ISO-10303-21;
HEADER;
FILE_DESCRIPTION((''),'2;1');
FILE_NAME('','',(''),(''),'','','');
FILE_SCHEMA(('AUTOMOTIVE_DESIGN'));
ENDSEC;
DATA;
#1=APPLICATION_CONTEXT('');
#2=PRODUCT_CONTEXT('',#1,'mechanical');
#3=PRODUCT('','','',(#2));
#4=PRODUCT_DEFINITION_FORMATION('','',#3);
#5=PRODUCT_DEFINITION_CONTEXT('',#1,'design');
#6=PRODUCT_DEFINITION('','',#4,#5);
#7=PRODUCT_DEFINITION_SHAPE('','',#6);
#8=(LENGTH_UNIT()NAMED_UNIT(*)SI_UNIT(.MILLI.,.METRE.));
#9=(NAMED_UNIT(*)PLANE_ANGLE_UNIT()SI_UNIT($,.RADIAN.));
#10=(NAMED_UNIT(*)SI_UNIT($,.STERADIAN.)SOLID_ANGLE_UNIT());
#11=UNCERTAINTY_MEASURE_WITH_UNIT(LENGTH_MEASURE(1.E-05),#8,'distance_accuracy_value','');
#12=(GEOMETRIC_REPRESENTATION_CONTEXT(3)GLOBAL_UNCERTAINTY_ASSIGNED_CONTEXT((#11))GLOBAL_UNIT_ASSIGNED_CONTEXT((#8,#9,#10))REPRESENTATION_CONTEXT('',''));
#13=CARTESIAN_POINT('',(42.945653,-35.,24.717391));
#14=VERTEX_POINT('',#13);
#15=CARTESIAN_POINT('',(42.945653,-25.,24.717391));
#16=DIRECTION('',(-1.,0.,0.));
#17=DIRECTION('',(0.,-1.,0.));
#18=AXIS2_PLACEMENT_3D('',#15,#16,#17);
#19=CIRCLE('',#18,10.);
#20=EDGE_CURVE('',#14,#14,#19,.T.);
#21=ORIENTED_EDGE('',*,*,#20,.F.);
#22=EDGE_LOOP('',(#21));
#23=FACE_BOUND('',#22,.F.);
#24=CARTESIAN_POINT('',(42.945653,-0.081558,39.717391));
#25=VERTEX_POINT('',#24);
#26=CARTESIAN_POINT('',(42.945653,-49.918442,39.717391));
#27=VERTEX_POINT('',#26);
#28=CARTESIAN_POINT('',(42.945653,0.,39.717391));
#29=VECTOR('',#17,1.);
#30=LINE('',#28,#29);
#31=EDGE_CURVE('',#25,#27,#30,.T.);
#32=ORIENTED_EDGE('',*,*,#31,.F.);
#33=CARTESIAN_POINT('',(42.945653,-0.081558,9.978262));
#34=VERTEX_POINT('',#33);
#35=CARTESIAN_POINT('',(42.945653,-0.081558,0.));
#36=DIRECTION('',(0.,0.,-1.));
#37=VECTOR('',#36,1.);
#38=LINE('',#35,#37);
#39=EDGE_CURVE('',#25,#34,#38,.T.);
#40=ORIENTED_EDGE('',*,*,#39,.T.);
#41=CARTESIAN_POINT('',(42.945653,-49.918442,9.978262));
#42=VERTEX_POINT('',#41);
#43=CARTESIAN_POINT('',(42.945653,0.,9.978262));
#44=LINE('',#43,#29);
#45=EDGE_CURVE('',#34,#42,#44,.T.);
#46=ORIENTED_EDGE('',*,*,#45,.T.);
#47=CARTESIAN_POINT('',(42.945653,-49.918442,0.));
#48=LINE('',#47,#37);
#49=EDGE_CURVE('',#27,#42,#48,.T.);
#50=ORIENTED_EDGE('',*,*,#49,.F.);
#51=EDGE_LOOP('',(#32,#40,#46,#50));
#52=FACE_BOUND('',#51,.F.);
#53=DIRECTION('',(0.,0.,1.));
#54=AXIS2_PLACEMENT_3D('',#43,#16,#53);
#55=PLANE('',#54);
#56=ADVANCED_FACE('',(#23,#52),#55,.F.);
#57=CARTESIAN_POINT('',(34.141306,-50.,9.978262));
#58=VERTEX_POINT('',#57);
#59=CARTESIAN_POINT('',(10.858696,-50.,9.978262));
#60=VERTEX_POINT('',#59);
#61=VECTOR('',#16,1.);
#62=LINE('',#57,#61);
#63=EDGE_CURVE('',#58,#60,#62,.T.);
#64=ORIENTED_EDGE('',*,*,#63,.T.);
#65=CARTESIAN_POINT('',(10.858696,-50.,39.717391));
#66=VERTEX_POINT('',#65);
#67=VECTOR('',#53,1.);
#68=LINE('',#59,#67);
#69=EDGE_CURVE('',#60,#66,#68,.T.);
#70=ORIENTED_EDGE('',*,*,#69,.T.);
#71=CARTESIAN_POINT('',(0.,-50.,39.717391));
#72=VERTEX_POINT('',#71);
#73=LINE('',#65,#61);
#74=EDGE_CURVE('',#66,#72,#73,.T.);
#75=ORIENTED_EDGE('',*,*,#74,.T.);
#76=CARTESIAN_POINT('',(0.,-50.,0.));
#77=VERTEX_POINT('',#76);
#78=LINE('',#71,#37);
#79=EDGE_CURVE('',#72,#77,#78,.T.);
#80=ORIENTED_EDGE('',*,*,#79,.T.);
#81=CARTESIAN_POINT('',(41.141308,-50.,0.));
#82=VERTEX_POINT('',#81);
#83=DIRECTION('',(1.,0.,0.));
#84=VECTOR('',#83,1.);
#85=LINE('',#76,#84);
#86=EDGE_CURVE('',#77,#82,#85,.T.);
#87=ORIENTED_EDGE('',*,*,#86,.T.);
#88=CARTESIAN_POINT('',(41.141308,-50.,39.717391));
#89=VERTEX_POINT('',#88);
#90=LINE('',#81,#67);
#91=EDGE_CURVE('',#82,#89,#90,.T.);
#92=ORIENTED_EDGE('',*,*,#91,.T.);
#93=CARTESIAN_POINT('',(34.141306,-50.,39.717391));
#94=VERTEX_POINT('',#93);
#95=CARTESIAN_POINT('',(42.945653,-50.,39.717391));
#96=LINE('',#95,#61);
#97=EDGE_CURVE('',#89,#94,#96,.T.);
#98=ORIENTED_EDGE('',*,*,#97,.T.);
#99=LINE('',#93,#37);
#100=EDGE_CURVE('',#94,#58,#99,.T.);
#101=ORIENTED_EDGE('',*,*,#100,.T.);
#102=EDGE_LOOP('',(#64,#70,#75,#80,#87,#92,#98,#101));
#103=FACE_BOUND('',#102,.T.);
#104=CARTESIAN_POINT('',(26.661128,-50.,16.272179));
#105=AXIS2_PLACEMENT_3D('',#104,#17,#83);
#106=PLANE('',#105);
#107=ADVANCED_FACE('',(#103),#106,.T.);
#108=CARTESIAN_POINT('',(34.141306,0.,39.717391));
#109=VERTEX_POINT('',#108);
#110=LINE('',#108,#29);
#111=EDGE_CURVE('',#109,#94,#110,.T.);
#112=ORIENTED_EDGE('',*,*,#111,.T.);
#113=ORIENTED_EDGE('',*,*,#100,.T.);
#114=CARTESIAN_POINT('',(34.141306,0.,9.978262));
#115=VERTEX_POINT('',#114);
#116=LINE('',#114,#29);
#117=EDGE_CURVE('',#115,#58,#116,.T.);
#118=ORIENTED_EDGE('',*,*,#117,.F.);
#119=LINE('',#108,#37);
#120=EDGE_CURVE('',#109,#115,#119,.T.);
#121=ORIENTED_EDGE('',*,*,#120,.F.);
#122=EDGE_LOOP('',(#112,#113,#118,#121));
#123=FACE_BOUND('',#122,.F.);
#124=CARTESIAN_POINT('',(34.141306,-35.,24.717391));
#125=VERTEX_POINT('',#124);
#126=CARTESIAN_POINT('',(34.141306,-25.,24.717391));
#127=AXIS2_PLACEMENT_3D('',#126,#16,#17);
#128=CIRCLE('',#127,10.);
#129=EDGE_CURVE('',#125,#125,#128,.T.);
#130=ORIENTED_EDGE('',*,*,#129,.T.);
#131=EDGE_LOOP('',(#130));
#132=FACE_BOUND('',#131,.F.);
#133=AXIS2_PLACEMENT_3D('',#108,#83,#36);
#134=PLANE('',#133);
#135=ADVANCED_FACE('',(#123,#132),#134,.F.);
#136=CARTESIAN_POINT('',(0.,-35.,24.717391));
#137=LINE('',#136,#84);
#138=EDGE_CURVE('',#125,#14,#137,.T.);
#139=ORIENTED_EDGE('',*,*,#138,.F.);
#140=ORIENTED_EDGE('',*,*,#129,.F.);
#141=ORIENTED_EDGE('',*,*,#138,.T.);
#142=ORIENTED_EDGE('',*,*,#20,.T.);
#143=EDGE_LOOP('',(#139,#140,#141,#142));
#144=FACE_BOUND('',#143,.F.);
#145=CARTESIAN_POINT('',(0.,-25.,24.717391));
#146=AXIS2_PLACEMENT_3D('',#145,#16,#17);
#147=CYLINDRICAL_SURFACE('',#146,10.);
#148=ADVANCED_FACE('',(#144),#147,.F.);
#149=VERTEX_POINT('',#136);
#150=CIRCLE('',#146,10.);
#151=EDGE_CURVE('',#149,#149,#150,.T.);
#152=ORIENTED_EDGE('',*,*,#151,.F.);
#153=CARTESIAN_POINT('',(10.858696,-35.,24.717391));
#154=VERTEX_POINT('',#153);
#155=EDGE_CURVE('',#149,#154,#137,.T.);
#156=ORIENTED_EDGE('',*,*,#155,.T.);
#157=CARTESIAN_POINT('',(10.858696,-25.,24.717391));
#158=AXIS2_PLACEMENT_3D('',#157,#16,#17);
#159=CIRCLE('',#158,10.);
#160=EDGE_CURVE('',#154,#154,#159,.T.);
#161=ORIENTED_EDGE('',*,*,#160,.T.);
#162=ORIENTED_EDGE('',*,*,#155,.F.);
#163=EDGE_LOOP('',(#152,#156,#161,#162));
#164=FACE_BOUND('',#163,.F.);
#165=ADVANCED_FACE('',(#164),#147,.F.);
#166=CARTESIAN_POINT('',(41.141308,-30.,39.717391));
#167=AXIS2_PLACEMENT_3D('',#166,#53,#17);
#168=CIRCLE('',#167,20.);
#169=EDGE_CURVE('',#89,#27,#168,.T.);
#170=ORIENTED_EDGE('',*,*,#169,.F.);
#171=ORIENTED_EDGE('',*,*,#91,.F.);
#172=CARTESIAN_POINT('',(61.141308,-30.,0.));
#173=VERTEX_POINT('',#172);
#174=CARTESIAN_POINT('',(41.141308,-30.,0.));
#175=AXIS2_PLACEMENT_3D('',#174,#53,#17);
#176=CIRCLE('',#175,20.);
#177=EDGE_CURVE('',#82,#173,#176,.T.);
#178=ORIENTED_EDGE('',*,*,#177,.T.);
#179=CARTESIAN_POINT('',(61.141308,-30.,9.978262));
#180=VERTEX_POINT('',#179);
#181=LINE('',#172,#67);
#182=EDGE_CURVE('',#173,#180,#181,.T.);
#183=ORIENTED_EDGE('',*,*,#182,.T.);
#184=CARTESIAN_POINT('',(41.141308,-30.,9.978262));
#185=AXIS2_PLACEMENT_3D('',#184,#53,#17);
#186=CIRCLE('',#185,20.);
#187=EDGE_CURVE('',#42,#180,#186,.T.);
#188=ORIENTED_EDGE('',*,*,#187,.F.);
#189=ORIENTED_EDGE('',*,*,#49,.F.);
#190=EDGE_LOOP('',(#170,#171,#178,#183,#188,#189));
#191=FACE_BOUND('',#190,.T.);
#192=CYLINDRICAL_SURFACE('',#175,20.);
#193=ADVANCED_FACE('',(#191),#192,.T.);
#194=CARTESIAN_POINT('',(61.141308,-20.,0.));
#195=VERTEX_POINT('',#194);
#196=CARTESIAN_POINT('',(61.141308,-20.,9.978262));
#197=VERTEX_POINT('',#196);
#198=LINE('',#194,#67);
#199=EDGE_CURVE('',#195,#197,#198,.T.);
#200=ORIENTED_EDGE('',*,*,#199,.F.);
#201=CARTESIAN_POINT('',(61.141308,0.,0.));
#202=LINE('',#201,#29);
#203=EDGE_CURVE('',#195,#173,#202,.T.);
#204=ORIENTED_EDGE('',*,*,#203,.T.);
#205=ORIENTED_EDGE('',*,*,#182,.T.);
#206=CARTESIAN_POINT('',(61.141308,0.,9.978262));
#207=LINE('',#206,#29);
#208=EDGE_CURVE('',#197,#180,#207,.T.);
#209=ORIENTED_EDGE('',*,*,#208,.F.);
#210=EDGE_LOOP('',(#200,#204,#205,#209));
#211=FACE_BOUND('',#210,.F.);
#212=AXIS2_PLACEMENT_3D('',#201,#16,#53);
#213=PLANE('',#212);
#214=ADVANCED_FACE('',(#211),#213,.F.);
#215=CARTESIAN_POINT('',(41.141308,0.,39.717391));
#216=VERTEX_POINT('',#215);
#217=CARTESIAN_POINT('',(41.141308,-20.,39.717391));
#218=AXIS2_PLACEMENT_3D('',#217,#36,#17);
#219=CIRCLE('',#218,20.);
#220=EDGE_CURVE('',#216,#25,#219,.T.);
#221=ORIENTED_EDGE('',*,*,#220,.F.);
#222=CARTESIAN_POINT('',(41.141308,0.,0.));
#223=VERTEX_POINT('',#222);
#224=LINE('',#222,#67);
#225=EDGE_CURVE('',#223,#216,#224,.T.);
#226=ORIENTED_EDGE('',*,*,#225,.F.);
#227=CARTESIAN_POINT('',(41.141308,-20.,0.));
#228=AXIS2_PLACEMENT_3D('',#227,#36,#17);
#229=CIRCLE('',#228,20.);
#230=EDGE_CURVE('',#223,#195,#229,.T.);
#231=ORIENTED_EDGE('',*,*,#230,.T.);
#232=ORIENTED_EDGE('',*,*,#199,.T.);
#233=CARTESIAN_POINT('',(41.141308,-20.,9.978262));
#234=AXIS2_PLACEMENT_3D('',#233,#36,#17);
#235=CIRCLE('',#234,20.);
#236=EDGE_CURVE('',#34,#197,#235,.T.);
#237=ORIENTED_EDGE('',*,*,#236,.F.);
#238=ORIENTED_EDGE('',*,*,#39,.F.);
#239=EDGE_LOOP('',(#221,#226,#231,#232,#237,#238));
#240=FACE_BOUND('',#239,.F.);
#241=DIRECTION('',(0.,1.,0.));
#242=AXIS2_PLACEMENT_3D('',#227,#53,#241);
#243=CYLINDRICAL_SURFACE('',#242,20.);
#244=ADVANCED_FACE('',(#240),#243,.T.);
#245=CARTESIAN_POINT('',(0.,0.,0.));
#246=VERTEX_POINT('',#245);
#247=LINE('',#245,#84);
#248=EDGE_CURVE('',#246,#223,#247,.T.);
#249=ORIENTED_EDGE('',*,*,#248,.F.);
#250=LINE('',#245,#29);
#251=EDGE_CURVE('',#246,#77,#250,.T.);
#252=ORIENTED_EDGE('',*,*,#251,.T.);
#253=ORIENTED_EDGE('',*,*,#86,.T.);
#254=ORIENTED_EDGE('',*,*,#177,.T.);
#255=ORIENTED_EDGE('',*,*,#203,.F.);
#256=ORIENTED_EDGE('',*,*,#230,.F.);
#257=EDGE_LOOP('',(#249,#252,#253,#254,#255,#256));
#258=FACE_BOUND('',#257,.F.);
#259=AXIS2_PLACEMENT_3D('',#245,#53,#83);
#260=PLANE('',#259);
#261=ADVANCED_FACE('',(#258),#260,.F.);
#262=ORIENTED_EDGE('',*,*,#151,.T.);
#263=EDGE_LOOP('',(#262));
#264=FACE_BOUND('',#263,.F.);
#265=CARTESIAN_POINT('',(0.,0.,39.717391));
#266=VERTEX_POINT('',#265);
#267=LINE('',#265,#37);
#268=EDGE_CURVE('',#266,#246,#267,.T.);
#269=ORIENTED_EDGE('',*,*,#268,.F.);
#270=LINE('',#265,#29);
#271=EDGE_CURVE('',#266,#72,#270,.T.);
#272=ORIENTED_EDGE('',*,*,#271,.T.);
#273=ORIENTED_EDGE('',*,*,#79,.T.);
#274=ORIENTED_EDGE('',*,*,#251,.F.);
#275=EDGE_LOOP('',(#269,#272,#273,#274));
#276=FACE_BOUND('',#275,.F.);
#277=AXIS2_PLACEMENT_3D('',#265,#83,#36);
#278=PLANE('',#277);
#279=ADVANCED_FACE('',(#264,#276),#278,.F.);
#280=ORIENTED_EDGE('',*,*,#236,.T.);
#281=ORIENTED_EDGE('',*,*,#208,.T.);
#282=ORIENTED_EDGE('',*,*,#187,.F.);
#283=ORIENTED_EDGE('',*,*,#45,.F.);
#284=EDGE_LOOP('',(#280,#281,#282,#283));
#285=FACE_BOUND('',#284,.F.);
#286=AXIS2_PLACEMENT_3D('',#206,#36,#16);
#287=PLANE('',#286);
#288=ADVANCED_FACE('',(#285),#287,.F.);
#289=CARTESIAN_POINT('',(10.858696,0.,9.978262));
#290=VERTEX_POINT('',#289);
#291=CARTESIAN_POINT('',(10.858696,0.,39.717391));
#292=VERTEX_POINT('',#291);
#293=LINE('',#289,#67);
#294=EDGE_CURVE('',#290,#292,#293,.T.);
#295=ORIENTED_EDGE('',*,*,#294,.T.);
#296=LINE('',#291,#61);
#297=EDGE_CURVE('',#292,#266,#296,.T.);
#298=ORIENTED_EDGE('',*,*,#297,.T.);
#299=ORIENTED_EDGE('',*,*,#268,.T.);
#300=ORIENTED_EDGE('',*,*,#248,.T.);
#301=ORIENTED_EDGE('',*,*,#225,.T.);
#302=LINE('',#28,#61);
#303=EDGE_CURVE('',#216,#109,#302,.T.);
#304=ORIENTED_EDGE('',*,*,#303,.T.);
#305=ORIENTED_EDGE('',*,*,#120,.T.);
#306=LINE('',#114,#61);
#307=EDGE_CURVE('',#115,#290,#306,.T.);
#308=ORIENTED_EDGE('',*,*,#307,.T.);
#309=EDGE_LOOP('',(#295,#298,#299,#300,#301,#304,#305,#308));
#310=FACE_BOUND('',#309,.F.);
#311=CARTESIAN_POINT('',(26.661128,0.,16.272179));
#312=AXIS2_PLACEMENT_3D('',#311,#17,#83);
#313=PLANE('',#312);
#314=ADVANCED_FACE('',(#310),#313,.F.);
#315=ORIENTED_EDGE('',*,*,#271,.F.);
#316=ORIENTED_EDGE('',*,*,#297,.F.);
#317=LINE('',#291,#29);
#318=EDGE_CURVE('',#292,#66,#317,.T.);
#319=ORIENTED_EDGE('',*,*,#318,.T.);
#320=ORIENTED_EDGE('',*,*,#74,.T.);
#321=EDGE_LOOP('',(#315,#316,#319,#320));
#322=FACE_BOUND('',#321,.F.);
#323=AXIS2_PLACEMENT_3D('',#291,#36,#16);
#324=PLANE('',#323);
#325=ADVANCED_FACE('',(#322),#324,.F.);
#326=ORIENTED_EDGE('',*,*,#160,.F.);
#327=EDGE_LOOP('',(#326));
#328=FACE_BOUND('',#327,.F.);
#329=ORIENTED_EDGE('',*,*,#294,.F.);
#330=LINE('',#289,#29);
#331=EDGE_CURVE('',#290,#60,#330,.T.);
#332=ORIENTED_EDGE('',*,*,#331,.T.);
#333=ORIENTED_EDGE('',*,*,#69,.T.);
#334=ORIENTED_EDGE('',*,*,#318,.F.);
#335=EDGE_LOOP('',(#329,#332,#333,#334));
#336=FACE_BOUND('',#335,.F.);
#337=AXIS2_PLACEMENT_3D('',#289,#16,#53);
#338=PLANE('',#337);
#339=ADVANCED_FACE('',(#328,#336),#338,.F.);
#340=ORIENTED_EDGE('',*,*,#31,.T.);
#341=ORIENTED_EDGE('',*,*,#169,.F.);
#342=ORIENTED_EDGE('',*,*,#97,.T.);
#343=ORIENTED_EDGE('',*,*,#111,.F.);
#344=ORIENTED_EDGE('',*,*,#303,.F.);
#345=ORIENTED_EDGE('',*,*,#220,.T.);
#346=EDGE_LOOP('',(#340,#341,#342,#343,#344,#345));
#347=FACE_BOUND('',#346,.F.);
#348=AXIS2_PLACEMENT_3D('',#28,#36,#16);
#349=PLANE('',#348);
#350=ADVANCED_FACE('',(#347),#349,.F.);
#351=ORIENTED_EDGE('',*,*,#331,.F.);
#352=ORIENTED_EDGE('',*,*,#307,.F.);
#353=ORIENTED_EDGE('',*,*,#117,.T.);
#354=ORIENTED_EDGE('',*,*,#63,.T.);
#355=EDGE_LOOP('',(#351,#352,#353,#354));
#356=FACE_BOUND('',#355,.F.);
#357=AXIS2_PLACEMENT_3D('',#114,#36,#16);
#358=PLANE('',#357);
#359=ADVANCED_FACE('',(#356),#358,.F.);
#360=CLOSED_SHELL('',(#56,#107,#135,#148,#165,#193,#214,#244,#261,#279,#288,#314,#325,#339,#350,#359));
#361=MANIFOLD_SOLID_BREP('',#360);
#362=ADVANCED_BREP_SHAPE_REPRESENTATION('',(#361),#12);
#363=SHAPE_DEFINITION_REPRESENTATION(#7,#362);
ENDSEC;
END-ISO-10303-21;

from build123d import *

# Parameters (mm, degrees)
F1_DEPTH = 50
F2_R     = 10
F3_DEPTH = 61.142308
F4_R     = 20


with BuildPart() as f1:
    # F0 (on Front) → F1 (new body)
    with BuildSketch(Plane.XZ):
        Polygon((0, 39.717391), (0, 0), (61.141308, 0), (61.141308, 9.978262), (42.945653, 9.978262), (42.945653, 39.717391), (34.141306, 39.717391), (34.141306, 9.978262), (10.858696, 9.978262), (10.858696, 39.717391), align=None)
    extrude(amount=F1_DEPTH)

    # F2 (on face) → F3 (cut, through all)
    with BuildSketch(Plane(origin=(0, 0, 0), x_dir=(0, -1, 0), z_dir=(-1, 0, 0))):
        with Locations((25, 24.717391)):
            Circle(F2_R)
    extrude(amount=-F3_DEPTH, mode=Mode.SUBTRACT)

    # F4
    f4_edges = [f1.edges().sort_by_distance(p)[0] for p in [
        (61.141308, 0, 4.989131),
        (61.141308, -50, 4.989131),
    ]]
    fillet(f4_edges, radius=F4_R)


solid = f1.part
